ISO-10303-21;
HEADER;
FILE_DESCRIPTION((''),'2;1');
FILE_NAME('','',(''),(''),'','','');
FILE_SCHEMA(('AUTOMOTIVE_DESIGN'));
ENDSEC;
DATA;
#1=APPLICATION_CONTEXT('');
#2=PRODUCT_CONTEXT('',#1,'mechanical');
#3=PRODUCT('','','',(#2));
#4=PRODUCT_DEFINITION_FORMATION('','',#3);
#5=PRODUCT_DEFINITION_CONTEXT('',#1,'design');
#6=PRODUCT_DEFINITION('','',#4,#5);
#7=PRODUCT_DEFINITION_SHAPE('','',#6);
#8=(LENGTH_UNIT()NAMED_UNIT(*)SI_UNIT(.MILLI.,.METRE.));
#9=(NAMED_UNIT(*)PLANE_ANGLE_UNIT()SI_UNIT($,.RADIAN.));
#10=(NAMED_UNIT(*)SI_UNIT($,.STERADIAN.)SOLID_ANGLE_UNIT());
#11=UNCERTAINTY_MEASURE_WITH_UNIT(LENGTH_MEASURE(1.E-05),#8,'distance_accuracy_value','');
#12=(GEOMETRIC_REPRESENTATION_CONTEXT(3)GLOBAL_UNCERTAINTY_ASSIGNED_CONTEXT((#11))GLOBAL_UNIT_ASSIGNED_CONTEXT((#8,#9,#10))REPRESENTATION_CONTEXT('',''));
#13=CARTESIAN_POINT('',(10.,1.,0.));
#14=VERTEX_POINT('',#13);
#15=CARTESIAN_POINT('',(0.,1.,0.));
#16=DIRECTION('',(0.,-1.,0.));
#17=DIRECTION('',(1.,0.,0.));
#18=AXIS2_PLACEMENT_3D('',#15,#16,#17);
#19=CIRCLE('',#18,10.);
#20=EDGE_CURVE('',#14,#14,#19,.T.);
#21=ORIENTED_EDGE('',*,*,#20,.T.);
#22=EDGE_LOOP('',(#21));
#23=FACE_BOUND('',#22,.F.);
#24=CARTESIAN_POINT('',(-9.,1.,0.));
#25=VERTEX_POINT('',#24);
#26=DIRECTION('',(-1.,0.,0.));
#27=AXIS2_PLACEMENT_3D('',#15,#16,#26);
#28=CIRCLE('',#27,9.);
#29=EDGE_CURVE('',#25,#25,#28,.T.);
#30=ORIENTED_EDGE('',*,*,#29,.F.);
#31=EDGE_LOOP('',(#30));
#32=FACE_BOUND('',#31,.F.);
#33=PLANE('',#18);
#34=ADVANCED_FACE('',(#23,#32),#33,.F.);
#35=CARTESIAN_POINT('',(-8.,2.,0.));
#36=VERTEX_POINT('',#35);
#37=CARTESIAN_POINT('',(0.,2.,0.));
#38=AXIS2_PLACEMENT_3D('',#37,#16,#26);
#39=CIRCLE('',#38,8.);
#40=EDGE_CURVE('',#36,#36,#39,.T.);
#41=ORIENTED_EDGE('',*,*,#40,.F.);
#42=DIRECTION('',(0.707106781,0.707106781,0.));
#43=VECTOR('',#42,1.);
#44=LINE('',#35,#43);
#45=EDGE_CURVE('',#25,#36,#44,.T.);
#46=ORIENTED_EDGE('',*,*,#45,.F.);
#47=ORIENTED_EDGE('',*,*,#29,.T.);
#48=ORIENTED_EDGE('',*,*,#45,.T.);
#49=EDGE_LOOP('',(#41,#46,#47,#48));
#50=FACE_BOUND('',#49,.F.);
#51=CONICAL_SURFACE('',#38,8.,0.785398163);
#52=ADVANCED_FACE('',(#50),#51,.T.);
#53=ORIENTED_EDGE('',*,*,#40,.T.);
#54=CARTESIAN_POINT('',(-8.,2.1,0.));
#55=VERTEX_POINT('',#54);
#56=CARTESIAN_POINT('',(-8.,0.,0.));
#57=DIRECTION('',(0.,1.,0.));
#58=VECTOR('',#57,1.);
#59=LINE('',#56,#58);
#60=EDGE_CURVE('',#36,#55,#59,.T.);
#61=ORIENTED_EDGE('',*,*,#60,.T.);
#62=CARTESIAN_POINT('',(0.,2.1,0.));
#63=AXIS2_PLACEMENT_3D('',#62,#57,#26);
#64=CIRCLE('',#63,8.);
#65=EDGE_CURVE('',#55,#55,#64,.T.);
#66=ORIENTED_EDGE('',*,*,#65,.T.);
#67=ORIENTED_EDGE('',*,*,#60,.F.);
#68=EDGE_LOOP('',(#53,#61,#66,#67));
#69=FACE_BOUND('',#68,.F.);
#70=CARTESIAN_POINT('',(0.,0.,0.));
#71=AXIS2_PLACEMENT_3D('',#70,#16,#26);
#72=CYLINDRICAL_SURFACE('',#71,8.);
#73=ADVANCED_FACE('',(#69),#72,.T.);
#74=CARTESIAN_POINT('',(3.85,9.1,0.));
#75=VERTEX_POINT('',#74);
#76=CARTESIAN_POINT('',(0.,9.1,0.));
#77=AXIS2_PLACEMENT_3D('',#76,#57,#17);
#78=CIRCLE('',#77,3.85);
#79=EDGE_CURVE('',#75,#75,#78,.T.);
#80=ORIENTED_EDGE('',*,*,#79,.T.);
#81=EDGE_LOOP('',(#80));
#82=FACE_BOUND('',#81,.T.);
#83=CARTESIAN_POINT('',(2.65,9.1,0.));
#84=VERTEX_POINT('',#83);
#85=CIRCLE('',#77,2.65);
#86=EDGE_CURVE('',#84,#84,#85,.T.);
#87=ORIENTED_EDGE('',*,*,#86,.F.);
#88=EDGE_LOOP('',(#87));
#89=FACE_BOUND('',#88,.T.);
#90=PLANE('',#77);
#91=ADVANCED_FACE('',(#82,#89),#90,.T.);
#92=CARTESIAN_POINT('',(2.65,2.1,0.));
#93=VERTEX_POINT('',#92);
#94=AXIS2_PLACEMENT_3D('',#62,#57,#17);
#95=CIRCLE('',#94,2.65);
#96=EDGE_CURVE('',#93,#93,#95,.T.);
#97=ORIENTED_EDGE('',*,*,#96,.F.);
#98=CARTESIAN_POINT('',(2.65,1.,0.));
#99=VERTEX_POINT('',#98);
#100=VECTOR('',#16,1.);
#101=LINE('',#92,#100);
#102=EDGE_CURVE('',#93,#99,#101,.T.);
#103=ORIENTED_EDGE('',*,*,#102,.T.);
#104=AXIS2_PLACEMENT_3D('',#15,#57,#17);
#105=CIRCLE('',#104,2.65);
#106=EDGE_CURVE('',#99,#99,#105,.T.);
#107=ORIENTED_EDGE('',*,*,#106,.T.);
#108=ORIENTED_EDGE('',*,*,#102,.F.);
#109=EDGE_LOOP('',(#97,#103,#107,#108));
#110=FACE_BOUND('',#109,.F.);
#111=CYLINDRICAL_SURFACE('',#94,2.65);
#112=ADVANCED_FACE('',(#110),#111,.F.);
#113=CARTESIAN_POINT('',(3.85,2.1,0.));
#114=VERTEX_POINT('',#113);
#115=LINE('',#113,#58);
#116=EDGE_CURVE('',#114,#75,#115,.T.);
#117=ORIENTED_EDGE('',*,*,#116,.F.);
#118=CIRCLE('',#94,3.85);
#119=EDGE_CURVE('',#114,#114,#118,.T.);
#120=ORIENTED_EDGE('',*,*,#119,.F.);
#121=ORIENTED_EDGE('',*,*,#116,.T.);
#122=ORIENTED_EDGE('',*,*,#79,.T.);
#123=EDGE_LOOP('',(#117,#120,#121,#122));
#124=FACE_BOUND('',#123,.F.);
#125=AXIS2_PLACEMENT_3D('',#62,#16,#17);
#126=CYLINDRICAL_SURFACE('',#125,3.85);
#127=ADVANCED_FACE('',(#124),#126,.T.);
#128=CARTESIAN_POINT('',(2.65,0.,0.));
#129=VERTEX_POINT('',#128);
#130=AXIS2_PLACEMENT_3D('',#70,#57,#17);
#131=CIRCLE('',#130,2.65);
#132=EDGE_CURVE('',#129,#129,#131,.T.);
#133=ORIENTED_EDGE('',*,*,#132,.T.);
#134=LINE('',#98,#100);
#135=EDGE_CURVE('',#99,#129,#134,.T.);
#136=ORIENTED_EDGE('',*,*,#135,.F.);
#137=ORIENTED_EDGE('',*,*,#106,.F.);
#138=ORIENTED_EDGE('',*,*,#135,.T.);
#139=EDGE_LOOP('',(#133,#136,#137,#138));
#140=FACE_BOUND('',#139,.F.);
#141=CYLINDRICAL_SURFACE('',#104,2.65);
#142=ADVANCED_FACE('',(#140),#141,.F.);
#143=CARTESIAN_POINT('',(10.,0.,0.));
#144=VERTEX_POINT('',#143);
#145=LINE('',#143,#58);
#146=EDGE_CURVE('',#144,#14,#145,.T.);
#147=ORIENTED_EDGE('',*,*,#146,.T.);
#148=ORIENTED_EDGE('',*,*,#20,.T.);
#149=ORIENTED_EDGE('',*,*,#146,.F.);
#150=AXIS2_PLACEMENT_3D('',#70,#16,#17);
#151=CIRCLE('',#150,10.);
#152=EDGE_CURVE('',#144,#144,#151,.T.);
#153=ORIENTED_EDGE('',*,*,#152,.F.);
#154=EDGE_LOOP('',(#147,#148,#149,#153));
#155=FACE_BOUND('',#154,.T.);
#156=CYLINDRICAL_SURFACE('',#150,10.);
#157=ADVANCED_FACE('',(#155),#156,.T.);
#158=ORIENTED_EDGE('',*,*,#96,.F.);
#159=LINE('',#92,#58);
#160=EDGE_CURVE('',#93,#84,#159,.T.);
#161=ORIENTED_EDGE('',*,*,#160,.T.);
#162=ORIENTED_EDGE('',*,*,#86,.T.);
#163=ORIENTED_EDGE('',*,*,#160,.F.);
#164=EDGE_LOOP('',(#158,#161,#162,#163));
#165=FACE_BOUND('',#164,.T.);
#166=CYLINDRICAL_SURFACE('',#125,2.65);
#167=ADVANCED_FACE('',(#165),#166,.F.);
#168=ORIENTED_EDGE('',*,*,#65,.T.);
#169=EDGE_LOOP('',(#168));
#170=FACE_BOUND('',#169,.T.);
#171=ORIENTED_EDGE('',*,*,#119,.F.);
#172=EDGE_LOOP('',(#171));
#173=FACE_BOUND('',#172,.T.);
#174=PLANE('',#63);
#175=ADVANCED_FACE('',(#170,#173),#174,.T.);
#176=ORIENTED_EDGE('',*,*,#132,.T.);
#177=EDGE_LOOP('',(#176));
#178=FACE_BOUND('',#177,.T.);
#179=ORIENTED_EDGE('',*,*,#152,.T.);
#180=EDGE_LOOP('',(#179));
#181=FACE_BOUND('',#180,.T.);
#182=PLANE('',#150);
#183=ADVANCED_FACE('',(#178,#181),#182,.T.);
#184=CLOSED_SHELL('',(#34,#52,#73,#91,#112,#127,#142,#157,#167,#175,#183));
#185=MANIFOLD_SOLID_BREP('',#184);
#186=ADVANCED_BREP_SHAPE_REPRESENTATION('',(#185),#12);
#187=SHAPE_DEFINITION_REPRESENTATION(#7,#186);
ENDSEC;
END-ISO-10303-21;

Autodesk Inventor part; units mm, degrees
ref_plane "YZ Plane" through (0, 0, 0) normal (1, 0, 0) x (0, 1, 0)
ref_plane "XZ Plane" through (0, 0, 0) normal (0, 1, 0) x (-1, 0, 0)
ref_plane "XY Plane" through (0, 0, 0) normal (0, 0, 1) x (1, 0, 0)
sketch "Boceto1" plane through (0, 0, 0) normal (0, 1, 0) x (-1, 0, 0)
  circle A0 centre (0, 0) radius 8
  dimension "d0" = 16
extrude "Extrusión1" add sketch "Boceto1" along normal blind 2.1
sketch "Boceto2" plane through (0, 2.1, 0) normal (0, 1, 0) x (1, 0, 0)
  circle A0 centre (0, 0) radius 2.65
  dimension "d3" = 5.3
extrude "Extrusión2" cut sketch "Boceto2" against normal through all
sketch "Boceto3" plane through (0, 2.1, 0) normal (0, 1, 0) x (1, 0, 0)
  circle A0 centre (0, 0) radius 3.85
  circle A1 centre (0, 0) radius 2.65 projected
  dimension "d6" = 7.7
extrude "Extrusión3" add sketch "Boceto3" along normal blind 7
sketch "Boceto4" plane through (0, 0, 0) normal (0, -1, 0) x (1, 0, 0)
  circle A0 centre (0, 0) radius 10
  dimension "d9" = 20
extrude "Extrusión4" add sketch "Boceto4" against normal blind 1
sketch "Boceto5" plane through (0, 1, 0) normal (0, 1, 0) x (1, 0, 0)
  circle A0 centre (0, 0) radius 2.65 projected
extrude "Extrusión5" cut sketch "Boceto5" against normal through all
chamfer "Chaflán2" distance 1 angle 45 1 edges at (8, 1, 0)
properties part number "elbowsupport"
